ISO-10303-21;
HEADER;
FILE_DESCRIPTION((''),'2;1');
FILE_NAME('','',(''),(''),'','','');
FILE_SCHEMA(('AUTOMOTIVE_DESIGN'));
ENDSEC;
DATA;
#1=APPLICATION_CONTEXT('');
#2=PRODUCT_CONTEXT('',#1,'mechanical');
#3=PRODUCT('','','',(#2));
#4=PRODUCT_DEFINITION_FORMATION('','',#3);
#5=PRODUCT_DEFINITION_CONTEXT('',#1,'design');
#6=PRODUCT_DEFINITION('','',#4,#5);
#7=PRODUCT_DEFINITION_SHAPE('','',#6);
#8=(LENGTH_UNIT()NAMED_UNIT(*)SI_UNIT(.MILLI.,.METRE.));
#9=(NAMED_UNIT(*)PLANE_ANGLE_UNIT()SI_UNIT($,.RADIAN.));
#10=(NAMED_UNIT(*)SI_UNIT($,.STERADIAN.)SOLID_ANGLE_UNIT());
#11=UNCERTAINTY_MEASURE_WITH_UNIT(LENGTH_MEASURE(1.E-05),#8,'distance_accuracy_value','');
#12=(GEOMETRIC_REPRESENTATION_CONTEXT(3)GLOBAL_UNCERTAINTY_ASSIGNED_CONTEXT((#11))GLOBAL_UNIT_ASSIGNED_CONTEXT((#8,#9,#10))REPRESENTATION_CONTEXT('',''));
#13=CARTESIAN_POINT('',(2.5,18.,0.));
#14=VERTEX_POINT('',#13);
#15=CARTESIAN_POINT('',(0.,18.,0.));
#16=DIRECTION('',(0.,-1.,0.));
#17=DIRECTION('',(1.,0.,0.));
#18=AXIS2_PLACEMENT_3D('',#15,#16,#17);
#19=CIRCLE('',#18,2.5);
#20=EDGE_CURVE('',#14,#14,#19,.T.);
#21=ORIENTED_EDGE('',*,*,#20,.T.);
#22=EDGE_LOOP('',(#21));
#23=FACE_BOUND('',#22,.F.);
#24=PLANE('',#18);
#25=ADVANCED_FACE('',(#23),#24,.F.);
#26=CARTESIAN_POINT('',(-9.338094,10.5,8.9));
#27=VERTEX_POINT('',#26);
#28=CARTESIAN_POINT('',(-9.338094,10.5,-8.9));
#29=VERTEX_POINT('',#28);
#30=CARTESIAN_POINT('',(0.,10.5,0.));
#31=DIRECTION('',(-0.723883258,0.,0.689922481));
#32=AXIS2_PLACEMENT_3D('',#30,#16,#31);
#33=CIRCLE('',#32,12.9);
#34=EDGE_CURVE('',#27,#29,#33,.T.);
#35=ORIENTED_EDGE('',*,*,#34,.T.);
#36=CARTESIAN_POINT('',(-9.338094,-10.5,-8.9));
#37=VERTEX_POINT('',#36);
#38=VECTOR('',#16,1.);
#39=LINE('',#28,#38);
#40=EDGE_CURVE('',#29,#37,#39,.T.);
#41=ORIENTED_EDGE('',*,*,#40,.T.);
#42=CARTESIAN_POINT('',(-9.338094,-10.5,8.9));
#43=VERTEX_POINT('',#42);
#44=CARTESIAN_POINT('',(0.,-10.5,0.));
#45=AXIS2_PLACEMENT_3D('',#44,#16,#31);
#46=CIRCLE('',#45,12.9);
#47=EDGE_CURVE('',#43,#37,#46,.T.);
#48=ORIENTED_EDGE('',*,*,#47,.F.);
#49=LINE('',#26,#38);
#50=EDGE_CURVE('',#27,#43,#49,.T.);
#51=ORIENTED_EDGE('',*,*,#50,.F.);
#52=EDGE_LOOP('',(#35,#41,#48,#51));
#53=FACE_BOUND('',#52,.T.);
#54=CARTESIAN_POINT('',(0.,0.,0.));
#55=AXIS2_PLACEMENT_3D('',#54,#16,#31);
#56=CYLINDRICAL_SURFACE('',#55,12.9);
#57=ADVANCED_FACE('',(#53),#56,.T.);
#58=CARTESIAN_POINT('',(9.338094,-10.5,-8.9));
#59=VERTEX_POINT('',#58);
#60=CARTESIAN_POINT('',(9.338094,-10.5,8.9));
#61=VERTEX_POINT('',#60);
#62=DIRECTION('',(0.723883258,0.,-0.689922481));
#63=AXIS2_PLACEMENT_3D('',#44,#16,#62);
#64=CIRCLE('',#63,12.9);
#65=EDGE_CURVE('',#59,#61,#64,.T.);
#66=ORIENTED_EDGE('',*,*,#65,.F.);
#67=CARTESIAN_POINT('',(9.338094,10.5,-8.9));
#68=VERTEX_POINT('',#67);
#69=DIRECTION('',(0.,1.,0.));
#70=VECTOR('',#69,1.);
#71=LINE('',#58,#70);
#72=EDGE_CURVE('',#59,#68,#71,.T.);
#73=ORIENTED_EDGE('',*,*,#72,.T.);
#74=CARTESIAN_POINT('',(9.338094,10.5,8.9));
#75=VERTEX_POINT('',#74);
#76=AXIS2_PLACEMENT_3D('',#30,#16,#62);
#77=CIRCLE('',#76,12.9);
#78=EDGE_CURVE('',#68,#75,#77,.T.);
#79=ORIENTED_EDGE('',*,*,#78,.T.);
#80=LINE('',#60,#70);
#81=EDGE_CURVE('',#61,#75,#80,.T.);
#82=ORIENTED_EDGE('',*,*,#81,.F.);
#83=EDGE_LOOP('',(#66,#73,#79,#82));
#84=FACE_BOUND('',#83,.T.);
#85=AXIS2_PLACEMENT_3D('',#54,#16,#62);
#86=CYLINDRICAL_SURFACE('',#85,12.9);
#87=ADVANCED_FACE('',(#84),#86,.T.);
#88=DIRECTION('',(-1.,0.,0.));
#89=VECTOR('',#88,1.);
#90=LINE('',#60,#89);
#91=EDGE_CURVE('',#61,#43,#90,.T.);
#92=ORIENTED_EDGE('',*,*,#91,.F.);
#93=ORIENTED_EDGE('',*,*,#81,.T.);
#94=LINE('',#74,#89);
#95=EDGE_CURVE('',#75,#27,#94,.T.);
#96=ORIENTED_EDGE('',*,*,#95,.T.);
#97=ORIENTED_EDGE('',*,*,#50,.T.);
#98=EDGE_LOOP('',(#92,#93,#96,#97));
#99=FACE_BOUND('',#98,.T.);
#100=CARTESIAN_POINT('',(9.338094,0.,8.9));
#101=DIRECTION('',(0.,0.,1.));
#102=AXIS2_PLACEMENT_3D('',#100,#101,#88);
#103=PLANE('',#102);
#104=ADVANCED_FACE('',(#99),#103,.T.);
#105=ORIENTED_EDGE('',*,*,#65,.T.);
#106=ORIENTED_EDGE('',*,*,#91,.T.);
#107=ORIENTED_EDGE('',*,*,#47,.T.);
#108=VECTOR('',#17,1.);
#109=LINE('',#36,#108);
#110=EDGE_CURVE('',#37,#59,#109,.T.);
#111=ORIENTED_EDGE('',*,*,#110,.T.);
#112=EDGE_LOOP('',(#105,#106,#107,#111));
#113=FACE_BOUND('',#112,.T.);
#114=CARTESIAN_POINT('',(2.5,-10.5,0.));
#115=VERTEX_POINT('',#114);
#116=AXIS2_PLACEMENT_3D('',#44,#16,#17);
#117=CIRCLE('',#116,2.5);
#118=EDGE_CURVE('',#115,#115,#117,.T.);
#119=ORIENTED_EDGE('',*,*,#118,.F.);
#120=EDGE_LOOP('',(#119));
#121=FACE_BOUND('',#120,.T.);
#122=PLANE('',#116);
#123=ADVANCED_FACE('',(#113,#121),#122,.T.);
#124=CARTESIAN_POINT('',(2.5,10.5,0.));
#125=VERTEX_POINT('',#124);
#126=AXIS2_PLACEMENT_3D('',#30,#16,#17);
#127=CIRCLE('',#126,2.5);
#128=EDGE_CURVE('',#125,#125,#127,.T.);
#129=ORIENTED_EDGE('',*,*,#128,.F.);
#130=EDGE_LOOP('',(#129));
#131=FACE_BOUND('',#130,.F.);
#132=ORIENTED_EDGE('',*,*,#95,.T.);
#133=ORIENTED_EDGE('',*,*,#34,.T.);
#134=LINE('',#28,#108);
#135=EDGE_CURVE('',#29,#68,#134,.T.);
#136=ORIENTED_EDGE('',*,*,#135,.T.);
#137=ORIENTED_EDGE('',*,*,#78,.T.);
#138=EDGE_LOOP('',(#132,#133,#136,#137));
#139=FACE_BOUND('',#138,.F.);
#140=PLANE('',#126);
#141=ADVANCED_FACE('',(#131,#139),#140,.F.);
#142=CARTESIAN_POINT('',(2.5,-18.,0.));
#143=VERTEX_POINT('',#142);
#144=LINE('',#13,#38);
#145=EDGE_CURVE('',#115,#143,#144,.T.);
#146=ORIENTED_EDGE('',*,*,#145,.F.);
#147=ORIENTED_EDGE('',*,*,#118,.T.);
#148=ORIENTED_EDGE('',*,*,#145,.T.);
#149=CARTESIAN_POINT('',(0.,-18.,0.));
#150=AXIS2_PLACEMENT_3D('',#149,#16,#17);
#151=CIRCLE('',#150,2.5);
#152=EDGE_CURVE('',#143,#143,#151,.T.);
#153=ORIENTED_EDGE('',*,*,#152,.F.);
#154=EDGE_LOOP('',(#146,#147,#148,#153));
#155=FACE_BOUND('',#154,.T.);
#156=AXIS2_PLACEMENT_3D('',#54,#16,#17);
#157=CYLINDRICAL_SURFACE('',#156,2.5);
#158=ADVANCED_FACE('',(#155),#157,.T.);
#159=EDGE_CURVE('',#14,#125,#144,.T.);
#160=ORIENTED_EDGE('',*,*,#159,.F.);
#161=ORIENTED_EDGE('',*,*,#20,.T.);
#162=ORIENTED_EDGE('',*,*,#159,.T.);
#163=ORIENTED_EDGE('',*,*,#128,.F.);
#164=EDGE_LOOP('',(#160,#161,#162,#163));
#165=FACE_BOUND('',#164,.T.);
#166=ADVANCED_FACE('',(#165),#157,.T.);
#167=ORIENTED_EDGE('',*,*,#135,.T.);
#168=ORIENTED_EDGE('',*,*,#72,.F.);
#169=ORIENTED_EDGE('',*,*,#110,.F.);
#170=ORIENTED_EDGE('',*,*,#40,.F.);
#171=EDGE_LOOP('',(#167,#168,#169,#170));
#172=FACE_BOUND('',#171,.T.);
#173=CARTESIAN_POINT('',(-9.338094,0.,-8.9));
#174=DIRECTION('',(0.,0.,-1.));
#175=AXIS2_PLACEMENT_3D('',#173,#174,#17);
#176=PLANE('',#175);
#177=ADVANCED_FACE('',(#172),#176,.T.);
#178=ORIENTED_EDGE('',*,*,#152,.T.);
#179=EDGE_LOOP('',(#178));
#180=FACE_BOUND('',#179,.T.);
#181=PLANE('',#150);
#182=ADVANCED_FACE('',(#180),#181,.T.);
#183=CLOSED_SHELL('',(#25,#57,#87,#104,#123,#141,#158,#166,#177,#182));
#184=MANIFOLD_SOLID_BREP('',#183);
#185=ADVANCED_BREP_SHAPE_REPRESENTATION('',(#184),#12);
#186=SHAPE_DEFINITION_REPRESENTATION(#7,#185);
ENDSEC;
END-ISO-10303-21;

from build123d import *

# Parameters (mm, degrees)
F0_R     = 2.5
F1_DEPTH = 18
F2_DEPTH = 10.5


with BuildPart() as f1:
    # F0 (on Front) → F1 (new body, symmetric)
    with BuildSketch(Plane.XZ):
        Circle(F0_R)
    extrude(amount=F1_DEPTH, both=True)

    # F0 (on Front) → F2 (join, symmetric)
    with BuildSketch(Plane.XZ):
        with BuildLine():
            Line((9.3380940239, 8.9), (-9.3380940239, 8.9))
            ThreePointArc((-9.3380940239, 8.9), (-12.9, 0), (-9.3380940239, -8.9))
            Line((-9.3380940239, -8.9), (9.3380940239, -8.9))
            ThreePointArc((9.3380940239, -8.9), (12.9, 0), (9.3380940239, 8.9))
        make_face()
        Circle(F0_R, mode=Mode.SUBTRACT)
    extrude(amount=F2_DEPTH, both=True)


solid = f1.part
